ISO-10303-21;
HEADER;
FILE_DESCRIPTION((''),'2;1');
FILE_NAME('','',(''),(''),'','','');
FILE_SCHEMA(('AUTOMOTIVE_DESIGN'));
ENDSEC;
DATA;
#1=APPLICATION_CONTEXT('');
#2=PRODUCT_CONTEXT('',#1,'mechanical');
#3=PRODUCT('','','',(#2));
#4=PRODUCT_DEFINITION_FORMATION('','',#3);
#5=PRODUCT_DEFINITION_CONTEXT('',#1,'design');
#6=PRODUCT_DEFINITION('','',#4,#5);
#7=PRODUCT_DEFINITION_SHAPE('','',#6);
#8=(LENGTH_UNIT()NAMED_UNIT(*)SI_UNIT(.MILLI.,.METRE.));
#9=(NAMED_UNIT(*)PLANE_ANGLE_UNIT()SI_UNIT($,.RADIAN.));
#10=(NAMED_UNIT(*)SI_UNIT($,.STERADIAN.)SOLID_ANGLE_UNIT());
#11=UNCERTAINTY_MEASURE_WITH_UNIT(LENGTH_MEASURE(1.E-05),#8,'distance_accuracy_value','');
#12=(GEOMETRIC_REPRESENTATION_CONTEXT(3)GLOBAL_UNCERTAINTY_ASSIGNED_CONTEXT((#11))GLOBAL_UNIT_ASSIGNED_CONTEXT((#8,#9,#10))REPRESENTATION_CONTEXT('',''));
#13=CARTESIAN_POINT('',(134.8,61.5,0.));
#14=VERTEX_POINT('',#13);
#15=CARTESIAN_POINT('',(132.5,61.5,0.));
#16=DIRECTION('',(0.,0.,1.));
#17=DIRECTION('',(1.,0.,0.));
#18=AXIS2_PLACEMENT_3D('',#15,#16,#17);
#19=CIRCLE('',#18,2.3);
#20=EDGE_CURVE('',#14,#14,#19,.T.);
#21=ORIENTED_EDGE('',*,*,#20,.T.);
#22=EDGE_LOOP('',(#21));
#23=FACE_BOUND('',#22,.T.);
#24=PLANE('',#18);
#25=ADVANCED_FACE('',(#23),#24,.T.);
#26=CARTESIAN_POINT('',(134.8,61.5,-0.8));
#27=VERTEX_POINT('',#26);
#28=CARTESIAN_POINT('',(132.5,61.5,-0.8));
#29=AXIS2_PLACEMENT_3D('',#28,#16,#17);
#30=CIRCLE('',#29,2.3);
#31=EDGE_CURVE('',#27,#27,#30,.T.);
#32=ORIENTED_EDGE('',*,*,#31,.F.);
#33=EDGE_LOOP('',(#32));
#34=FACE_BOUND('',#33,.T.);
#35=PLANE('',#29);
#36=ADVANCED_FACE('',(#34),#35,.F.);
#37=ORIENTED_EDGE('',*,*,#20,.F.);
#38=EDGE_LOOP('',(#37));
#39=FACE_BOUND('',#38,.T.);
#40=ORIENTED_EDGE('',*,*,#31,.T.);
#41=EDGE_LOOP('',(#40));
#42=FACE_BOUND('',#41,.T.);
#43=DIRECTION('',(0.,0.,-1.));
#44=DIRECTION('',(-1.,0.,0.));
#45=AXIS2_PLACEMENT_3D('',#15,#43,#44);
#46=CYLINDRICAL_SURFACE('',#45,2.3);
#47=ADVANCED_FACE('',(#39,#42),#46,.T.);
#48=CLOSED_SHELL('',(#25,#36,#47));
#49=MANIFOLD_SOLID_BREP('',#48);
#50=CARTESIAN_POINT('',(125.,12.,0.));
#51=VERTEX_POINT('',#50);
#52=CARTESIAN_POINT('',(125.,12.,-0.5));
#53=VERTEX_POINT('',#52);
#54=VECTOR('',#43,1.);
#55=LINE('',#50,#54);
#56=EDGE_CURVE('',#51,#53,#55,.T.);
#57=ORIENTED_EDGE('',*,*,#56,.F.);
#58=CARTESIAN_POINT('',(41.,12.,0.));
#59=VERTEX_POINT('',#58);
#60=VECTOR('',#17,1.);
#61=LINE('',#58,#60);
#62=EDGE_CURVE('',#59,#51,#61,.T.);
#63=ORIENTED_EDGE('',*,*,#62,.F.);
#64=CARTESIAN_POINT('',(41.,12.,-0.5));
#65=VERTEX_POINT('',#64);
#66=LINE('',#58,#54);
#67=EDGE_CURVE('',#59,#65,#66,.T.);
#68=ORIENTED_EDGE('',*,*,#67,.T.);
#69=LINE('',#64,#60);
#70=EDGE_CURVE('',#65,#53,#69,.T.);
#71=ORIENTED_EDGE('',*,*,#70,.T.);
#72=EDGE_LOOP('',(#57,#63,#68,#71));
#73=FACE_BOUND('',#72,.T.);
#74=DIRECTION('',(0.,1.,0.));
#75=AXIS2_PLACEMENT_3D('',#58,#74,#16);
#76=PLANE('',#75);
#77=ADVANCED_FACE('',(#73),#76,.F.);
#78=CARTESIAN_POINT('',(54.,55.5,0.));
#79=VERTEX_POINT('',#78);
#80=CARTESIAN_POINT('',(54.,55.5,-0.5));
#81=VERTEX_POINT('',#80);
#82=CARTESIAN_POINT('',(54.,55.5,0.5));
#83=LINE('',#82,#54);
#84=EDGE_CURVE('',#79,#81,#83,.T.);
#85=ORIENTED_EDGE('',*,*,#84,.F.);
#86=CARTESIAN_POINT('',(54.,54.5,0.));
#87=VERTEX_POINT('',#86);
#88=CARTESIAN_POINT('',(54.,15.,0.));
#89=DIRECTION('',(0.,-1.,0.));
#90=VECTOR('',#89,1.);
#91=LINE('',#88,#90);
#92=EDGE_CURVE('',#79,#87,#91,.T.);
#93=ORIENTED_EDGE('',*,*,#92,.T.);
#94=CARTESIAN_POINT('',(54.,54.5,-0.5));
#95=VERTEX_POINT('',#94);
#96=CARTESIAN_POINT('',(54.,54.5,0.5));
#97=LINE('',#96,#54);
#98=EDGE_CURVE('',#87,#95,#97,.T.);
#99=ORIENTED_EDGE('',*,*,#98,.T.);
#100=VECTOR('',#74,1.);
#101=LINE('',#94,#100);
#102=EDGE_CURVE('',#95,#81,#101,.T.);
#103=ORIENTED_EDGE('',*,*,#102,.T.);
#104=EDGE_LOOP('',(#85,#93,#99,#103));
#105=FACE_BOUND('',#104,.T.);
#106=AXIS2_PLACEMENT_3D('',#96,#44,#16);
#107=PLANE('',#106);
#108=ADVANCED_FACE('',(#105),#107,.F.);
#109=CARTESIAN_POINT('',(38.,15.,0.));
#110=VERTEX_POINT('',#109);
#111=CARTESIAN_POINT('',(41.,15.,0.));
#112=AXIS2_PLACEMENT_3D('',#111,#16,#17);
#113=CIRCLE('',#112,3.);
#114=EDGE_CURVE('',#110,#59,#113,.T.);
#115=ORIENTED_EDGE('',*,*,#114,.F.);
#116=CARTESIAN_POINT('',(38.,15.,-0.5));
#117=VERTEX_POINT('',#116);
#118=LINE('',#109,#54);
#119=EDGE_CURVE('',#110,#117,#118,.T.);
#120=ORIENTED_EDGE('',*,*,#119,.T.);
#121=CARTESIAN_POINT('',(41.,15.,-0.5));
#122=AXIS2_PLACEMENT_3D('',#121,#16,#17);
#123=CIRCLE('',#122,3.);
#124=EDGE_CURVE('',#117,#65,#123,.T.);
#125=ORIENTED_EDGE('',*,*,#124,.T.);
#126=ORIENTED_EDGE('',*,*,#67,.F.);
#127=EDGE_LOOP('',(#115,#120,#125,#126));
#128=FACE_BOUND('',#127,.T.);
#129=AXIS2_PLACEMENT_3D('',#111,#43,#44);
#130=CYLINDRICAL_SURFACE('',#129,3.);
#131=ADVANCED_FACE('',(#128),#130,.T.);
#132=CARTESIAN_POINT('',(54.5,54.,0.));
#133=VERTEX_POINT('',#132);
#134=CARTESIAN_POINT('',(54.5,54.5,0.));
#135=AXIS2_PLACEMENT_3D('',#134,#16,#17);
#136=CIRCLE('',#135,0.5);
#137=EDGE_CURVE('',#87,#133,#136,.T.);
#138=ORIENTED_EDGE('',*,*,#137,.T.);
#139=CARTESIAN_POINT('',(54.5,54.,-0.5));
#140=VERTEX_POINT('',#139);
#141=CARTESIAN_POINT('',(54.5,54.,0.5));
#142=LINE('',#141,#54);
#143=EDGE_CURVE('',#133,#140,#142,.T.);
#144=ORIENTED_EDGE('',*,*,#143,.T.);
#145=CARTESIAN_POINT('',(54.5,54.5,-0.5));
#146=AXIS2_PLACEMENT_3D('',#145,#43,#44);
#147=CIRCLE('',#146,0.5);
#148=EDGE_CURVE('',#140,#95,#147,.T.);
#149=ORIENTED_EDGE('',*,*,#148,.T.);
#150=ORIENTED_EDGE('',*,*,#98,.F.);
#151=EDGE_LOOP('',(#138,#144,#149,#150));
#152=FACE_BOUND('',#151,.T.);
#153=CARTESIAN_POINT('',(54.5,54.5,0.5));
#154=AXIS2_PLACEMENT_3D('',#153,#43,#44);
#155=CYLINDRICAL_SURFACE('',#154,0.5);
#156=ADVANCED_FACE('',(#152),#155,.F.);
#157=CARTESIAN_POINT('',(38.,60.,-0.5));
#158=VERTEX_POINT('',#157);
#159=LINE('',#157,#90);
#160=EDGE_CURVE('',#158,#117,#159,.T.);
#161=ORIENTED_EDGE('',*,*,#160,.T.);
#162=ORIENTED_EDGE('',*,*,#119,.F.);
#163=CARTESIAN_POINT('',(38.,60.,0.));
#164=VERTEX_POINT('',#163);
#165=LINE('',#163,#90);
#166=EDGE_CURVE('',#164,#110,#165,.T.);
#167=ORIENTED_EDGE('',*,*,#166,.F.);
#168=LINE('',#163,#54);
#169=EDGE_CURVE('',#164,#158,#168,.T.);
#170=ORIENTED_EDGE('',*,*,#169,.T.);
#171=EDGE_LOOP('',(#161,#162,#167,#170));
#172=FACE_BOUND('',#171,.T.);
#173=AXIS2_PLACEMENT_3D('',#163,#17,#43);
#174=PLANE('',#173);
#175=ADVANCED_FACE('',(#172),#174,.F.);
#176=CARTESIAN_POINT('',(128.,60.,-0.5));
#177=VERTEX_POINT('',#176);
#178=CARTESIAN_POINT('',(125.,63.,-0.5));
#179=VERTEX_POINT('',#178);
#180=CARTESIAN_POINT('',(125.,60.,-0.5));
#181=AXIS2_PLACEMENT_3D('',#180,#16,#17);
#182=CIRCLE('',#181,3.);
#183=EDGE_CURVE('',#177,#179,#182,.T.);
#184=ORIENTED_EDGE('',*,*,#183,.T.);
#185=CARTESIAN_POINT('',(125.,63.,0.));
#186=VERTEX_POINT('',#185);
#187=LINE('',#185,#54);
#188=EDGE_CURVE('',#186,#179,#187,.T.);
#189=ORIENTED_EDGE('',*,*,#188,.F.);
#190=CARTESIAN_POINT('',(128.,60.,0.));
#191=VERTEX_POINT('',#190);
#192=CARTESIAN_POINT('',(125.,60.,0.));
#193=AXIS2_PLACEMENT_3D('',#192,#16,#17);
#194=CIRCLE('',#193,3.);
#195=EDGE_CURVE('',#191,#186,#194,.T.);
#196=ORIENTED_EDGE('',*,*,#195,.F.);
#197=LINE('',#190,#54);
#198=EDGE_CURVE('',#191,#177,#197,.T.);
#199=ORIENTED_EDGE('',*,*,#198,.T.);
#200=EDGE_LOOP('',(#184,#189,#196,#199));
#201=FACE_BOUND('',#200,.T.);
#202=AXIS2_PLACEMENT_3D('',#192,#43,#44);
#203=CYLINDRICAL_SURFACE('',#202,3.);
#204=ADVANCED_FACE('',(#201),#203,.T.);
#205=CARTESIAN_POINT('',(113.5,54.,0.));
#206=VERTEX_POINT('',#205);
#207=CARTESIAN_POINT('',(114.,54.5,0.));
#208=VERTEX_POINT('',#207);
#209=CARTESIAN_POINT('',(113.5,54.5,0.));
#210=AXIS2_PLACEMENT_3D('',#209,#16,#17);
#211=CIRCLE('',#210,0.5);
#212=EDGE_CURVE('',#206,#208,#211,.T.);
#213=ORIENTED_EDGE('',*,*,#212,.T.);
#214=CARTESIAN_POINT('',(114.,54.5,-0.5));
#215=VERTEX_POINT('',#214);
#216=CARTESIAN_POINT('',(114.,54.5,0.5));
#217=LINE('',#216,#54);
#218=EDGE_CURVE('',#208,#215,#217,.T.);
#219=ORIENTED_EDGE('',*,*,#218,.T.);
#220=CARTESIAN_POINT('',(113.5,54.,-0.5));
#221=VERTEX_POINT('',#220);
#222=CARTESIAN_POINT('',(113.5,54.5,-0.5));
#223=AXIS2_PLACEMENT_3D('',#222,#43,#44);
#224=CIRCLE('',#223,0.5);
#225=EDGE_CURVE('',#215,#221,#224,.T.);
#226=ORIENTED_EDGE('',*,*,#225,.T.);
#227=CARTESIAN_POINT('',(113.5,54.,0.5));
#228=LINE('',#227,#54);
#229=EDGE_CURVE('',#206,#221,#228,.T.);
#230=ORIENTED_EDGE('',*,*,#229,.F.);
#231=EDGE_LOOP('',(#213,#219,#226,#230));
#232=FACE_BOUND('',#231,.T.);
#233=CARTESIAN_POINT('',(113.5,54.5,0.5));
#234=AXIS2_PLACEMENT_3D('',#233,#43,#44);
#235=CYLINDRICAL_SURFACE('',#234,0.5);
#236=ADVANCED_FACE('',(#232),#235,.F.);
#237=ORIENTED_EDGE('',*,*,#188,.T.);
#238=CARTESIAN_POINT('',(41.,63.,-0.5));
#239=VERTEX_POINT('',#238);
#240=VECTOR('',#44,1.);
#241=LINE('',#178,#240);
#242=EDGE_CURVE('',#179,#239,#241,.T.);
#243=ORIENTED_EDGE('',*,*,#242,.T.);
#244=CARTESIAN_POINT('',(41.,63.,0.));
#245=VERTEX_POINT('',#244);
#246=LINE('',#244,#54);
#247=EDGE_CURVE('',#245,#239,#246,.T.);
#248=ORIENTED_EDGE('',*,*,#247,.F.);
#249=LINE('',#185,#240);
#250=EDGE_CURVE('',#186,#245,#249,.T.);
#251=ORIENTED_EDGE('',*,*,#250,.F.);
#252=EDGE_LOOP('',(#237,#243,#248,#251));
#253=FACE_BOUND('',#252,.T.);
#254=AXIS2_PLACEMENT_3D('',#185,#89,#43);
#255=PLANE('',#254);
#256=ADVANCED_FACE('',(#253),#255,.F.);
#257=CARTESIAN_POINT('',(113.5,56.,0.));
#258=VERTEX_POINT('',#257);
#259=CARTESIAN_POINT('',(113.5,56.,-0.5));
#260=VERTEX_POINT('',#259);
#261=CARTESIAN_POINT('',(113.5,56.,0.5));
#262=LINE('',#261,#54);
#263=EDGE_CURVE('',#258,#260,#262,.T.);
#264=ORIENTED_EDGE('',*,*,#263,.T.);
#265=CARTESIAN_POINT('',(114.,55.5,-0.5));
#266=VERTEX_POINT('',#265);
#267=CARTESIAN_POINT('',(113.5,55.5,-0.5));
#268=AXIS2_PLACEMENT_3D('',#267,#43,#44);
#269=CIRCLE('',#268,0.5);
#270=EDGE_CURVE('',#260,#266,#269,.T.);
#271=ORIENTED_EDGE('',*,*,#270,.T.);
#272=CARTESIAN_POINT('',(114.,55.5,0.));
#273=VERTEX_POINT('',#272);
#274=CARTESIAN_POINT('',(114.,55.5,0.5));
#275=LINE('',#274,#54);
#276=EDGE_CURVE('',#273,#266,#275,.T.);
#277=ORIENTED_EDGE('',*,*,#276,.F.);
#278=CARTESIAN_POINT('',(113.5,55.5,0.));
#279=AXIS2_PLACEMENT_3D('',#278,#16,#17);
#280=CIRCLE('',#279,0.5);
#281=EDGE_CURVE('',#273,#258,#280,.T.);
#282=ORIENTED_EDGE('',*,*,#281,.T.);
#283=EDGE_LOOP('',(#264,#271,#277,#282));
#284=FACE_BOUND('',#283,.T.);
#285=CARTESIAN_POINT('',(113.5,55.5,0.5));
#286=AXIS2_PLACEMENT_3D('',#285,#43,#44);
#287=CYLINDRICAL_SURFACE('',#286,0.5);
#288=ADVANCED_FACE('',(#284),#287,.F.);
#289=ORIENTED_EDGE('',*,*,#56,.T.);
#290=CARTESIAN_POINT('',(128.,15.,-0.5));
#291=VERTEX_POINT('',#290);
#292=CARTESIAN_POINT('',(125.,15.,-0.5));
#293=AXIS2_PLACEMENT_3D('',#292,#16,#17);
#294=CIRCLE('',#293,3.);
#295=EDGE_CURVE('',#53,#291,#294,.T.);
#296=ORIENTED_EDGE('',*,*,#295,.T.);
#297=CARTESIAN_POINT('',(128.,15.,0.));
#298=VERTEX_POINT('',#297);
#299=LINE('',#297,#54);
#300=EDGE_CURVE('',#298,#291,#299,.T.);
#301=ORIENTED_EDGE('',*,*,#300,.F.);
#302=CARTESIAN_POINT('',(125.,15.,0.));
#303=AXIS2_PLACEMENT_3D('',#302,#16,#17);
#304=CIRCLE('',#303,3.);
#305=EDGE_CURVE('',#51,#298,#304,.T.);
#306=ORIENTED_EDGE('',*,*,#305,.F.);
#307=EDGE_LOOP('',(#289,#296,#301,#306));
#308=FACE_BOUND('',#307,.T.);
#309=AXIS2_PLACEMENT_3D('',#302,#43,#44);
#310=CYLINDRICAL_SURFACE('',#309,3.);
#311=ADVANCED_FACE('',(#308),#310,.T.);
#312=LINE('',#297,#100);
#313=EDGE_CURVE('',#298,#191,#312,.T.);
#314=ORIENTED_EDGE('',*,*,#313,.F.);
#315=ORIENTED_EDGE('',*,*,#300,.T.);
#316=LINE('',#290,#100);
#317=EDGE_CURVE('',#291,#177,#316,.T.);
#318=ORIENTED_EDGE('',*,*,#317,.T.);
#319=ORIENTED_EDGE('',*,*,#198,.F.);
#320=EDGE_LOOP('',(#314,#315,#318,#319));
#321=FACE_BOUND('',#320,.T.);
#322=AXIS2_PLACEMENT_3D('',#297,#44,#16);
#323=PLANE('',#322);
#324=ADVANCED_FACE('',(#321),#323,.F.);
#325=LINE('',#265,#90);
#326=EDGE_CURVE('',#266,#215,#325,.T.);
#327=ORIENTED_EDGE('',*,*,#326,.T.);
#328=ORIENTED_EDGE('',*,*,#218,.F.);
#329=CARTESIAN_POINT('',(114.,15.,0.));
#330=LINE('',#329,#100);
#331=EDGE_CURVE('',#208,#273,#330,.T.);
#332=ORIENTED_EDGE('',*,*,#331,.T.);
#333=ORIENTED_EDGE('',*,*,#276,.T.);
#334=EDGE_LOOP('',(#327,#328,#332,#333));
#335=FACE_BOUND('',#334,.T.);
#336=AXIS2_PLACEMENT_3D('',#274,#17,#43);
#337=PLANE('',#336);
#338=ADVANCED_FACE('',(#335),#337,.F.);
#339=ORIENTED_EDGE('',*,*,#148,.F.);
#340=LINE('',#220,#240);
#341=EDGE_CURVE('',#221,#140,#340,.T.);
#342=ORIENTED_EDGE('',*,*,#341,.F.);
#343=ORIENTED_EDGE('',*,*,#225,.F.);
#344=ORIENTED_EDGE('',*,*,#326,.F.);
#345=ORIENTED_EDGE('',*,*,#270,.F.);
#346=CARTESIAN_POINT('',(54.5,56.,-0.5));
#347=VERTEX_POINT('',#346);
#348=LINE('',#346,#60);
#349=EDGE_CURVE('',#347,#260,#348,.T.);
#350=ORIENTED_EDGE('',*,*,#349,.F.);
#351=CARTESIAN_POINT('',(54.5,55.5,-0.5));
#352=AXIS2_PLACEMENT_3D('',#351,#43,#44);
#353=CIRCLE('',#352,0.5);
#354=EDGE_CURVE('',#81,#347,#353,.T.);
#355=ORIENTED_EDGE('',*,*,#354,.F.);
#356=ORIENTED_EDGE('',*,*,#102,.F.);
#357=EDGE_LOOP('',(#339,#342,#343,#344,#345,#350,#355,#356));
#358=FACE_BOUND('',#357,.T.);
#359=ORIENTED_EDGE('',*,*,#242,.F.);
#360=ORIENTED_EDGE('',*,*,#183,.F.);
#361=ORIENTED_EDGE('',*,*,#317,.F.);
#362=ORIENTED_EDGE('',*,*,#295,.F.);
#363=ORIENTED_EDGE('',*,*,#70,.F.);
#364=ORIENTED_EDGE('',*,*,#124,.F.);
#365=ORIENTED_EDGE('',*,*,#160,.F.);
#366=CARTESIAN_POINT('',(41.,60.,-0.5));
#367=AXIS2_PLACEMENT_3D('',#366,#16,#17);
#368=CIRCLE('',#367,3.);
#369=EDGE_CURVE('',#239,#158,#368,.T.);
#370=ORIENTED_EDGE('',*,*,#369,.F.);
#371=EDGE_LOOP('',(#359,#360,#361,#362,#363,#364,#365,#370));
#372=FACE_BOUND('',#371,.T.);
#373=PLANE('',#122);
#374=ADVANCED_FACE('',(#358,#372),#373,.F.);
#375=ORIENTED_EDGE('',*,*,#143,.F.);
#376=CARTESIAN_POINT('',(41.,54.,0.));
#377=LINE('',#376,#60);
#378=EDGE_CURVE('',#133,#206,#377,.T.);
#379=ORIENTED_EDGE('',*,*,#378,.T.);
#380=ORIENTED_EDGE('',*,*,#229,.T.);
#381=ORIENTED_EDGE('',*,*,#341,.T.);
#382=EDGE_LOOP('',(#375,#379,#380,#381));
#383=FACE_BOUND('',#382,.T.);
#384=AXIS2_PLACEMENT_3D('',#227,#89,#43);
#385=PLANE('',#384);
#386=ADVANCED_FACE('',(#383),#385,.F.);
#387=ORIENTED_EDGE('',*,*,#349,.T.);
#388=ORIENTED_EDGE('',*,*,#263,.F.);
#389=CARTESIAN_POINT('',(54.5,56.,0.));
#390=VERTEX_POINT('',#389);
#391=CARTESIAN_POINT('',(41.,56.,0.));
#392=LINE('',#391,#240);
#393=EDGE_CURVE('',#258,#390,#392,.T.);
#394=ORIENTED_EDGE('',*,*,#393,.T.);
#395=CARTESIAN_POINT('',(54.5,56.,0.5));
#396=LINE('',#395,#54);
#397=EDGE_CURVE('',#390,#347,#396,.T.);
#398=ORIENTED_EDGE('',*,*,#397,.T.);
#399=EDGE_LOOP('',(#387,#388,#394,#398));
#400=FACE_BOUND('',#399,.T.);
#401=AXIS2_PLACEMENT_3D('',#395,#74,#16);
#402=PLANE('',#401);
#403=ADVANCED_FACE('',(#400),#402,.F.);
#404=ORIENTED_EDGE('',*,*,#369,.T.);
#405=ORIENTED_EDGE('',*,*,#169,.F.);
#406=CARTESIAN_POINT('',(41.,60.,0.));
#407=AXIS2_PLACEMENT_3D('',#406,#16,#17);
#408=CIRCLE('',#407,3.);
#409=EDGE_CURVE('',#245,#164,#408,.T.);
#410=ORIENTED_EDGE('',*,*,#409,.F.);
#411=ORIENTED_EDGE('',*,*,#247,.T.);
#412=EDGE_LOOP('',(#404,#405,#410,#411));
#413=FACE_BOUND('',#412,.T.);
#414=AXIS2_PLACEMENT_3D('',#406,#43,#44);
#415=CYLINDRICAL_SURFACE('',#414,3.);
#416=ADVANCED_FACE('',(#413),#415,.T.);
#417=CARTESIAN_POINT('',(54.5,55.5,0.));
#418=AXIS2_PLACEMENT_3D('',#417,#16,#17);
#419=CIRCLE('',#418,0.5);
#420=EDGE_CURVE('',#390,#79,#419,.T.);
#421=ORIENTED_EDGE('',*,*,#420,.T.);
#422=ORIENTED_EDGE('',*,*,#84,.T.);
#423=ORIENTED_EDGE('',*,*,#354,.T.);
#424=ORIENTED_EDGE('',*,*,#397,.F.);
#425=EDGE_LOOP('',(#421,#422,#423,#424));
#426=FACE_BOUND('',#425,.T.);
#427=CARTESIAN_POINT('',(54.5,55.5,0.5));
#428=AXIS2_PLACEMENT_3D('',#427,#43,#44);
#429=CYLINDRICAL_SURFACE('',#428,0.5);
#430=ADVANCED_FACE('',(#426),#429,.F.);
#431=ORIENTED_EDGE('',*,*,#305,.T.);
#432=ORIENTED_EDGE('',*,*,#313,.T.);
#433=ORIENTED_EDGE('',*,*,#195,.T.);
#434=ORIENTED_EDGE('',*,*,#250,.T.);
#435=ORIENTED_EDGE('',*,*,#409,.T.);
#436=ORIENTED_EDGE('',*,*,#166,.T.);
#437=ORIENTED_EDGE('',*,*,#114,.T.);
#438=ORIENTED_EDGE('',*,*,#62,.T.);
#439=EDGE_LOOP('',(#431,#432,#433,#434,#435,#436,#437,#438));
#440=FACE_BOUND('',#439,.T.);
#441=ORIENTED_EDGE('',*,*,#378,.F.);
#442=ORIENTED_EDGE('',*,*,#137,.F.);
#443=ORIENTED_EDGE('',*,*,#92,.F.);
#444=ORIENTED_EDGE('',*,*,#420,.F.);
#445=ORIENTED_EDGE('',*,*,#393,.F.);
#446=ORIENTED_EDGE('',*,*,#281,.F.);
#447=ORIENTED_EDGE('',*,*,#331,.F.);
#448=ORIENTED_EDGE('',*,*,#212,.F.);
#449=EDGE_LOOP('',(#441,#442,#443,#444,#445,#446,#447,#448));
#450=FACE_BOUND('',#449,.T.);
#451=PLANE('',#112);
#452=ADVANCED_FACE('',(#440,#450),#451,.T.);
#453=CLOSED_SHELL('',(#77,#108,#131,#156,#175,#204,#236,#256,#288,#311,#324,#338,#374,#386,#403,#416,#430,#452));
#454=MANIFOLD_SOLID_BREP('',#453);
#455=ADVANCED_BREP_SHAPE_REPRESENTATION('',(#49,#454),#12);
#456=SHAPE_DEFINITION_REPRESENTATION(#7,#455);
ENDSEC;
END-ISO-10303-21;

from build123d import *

# Parameters (mm, degrees)
PRINTER_ACCESS_DOOR_OUTSIDE_CASE_START    = -0.5
PRINTER_ACCESS_DOOR_OUTSIDE_CASE_DEPTH    = 0.5
PRINTER_FEED_BUTTON_START                 = -0.8
SKETCH_2_R                                = 2.3
PRINTER_FEED_BUTTON_DEPTH                 = 0.8
VISIBLE_PAPER_OUTPUT_SLOT_REFERENCE_DEPTH = 1


with BuildPart() as part:
    # 草图1 → Printer_access_door_outside_case (new body)
    with BuildSketch(Plane.XY.offset(PRINTER_ACCESS_DOOR_OUTSIDE_CASE_START)):
        with BuildLine():
            Line((41, 12), (125, 12))
            ThreePointArc((125, 12), (127.121320344, 12.878679656), (128, 15))
            Line((128, 15), (128, 60))
            ThreePointArc((128, 60), (127.121320344, 62.121320344), (125, 63))
            Line((125, 63), (41, 63))
            ThreePointArc((41, 63), (38.878679656, 62.121320344), (38, 60))
            Line((38, 60), (38, 15))
            ThreePointArc((38, 15), (38.878679656, 12.878679656), (41, 12))
        make_face()
    extrude(amount=PRINTER_ACCESS_DOOR_OUTSIDE_CASE_DEPTH)

    # 草图3 → Visible_paper_output_slot_REFERENCE (cut)
    with BuildSketch(Plane(origin=(0, 0, -0.5), x_dir=(-1, 0, 0), z_dir=(0, 0, -1))):
        with BuildLine():
            Line((-113.5, 54), (-54.5, 54))
            ThreePointArc((-54.5, 54), (-54.146446609, 54.146446609), (-54, 54.5))
            Line((-54, 54.5), (-54, 55.5))
            ThreePointArc((-54, 55.5), (-54.146446609, 55.853553391), (-54.5, 56))
            Line((-54.5, 56), (-113.5, 56))
            ThreePointArc((-113.5, 56), (-113.853553391, 55.853553391), (-114, 55.5))
            Line((-114, 55.5), (-114, 54.5))
            ThreePointArc((-114, 54.5), (-113.853553391, 54.146446609), (-113.5, 54))
        make_face()
    extrude(amount=-VISIBLE_PAPER_OUTPUT_SLOT_REFERENCE_DEPTH, mode=Mode.SUBTRACT)


with BuildPart() as body_2:
    # 草图2 → Printer_feed_button (new body)
    with BuildSketch(Plane.XY.offset(PRINTER_FEED_BUTTON_START)):
        with Locations((132.5, 61.5)):
            Circle(SKETCH_2_R)
    extrude(amount=PRINTER_FEED_BUTTON_DEPTH)


solid = Compound([part.part, body_2.part])
